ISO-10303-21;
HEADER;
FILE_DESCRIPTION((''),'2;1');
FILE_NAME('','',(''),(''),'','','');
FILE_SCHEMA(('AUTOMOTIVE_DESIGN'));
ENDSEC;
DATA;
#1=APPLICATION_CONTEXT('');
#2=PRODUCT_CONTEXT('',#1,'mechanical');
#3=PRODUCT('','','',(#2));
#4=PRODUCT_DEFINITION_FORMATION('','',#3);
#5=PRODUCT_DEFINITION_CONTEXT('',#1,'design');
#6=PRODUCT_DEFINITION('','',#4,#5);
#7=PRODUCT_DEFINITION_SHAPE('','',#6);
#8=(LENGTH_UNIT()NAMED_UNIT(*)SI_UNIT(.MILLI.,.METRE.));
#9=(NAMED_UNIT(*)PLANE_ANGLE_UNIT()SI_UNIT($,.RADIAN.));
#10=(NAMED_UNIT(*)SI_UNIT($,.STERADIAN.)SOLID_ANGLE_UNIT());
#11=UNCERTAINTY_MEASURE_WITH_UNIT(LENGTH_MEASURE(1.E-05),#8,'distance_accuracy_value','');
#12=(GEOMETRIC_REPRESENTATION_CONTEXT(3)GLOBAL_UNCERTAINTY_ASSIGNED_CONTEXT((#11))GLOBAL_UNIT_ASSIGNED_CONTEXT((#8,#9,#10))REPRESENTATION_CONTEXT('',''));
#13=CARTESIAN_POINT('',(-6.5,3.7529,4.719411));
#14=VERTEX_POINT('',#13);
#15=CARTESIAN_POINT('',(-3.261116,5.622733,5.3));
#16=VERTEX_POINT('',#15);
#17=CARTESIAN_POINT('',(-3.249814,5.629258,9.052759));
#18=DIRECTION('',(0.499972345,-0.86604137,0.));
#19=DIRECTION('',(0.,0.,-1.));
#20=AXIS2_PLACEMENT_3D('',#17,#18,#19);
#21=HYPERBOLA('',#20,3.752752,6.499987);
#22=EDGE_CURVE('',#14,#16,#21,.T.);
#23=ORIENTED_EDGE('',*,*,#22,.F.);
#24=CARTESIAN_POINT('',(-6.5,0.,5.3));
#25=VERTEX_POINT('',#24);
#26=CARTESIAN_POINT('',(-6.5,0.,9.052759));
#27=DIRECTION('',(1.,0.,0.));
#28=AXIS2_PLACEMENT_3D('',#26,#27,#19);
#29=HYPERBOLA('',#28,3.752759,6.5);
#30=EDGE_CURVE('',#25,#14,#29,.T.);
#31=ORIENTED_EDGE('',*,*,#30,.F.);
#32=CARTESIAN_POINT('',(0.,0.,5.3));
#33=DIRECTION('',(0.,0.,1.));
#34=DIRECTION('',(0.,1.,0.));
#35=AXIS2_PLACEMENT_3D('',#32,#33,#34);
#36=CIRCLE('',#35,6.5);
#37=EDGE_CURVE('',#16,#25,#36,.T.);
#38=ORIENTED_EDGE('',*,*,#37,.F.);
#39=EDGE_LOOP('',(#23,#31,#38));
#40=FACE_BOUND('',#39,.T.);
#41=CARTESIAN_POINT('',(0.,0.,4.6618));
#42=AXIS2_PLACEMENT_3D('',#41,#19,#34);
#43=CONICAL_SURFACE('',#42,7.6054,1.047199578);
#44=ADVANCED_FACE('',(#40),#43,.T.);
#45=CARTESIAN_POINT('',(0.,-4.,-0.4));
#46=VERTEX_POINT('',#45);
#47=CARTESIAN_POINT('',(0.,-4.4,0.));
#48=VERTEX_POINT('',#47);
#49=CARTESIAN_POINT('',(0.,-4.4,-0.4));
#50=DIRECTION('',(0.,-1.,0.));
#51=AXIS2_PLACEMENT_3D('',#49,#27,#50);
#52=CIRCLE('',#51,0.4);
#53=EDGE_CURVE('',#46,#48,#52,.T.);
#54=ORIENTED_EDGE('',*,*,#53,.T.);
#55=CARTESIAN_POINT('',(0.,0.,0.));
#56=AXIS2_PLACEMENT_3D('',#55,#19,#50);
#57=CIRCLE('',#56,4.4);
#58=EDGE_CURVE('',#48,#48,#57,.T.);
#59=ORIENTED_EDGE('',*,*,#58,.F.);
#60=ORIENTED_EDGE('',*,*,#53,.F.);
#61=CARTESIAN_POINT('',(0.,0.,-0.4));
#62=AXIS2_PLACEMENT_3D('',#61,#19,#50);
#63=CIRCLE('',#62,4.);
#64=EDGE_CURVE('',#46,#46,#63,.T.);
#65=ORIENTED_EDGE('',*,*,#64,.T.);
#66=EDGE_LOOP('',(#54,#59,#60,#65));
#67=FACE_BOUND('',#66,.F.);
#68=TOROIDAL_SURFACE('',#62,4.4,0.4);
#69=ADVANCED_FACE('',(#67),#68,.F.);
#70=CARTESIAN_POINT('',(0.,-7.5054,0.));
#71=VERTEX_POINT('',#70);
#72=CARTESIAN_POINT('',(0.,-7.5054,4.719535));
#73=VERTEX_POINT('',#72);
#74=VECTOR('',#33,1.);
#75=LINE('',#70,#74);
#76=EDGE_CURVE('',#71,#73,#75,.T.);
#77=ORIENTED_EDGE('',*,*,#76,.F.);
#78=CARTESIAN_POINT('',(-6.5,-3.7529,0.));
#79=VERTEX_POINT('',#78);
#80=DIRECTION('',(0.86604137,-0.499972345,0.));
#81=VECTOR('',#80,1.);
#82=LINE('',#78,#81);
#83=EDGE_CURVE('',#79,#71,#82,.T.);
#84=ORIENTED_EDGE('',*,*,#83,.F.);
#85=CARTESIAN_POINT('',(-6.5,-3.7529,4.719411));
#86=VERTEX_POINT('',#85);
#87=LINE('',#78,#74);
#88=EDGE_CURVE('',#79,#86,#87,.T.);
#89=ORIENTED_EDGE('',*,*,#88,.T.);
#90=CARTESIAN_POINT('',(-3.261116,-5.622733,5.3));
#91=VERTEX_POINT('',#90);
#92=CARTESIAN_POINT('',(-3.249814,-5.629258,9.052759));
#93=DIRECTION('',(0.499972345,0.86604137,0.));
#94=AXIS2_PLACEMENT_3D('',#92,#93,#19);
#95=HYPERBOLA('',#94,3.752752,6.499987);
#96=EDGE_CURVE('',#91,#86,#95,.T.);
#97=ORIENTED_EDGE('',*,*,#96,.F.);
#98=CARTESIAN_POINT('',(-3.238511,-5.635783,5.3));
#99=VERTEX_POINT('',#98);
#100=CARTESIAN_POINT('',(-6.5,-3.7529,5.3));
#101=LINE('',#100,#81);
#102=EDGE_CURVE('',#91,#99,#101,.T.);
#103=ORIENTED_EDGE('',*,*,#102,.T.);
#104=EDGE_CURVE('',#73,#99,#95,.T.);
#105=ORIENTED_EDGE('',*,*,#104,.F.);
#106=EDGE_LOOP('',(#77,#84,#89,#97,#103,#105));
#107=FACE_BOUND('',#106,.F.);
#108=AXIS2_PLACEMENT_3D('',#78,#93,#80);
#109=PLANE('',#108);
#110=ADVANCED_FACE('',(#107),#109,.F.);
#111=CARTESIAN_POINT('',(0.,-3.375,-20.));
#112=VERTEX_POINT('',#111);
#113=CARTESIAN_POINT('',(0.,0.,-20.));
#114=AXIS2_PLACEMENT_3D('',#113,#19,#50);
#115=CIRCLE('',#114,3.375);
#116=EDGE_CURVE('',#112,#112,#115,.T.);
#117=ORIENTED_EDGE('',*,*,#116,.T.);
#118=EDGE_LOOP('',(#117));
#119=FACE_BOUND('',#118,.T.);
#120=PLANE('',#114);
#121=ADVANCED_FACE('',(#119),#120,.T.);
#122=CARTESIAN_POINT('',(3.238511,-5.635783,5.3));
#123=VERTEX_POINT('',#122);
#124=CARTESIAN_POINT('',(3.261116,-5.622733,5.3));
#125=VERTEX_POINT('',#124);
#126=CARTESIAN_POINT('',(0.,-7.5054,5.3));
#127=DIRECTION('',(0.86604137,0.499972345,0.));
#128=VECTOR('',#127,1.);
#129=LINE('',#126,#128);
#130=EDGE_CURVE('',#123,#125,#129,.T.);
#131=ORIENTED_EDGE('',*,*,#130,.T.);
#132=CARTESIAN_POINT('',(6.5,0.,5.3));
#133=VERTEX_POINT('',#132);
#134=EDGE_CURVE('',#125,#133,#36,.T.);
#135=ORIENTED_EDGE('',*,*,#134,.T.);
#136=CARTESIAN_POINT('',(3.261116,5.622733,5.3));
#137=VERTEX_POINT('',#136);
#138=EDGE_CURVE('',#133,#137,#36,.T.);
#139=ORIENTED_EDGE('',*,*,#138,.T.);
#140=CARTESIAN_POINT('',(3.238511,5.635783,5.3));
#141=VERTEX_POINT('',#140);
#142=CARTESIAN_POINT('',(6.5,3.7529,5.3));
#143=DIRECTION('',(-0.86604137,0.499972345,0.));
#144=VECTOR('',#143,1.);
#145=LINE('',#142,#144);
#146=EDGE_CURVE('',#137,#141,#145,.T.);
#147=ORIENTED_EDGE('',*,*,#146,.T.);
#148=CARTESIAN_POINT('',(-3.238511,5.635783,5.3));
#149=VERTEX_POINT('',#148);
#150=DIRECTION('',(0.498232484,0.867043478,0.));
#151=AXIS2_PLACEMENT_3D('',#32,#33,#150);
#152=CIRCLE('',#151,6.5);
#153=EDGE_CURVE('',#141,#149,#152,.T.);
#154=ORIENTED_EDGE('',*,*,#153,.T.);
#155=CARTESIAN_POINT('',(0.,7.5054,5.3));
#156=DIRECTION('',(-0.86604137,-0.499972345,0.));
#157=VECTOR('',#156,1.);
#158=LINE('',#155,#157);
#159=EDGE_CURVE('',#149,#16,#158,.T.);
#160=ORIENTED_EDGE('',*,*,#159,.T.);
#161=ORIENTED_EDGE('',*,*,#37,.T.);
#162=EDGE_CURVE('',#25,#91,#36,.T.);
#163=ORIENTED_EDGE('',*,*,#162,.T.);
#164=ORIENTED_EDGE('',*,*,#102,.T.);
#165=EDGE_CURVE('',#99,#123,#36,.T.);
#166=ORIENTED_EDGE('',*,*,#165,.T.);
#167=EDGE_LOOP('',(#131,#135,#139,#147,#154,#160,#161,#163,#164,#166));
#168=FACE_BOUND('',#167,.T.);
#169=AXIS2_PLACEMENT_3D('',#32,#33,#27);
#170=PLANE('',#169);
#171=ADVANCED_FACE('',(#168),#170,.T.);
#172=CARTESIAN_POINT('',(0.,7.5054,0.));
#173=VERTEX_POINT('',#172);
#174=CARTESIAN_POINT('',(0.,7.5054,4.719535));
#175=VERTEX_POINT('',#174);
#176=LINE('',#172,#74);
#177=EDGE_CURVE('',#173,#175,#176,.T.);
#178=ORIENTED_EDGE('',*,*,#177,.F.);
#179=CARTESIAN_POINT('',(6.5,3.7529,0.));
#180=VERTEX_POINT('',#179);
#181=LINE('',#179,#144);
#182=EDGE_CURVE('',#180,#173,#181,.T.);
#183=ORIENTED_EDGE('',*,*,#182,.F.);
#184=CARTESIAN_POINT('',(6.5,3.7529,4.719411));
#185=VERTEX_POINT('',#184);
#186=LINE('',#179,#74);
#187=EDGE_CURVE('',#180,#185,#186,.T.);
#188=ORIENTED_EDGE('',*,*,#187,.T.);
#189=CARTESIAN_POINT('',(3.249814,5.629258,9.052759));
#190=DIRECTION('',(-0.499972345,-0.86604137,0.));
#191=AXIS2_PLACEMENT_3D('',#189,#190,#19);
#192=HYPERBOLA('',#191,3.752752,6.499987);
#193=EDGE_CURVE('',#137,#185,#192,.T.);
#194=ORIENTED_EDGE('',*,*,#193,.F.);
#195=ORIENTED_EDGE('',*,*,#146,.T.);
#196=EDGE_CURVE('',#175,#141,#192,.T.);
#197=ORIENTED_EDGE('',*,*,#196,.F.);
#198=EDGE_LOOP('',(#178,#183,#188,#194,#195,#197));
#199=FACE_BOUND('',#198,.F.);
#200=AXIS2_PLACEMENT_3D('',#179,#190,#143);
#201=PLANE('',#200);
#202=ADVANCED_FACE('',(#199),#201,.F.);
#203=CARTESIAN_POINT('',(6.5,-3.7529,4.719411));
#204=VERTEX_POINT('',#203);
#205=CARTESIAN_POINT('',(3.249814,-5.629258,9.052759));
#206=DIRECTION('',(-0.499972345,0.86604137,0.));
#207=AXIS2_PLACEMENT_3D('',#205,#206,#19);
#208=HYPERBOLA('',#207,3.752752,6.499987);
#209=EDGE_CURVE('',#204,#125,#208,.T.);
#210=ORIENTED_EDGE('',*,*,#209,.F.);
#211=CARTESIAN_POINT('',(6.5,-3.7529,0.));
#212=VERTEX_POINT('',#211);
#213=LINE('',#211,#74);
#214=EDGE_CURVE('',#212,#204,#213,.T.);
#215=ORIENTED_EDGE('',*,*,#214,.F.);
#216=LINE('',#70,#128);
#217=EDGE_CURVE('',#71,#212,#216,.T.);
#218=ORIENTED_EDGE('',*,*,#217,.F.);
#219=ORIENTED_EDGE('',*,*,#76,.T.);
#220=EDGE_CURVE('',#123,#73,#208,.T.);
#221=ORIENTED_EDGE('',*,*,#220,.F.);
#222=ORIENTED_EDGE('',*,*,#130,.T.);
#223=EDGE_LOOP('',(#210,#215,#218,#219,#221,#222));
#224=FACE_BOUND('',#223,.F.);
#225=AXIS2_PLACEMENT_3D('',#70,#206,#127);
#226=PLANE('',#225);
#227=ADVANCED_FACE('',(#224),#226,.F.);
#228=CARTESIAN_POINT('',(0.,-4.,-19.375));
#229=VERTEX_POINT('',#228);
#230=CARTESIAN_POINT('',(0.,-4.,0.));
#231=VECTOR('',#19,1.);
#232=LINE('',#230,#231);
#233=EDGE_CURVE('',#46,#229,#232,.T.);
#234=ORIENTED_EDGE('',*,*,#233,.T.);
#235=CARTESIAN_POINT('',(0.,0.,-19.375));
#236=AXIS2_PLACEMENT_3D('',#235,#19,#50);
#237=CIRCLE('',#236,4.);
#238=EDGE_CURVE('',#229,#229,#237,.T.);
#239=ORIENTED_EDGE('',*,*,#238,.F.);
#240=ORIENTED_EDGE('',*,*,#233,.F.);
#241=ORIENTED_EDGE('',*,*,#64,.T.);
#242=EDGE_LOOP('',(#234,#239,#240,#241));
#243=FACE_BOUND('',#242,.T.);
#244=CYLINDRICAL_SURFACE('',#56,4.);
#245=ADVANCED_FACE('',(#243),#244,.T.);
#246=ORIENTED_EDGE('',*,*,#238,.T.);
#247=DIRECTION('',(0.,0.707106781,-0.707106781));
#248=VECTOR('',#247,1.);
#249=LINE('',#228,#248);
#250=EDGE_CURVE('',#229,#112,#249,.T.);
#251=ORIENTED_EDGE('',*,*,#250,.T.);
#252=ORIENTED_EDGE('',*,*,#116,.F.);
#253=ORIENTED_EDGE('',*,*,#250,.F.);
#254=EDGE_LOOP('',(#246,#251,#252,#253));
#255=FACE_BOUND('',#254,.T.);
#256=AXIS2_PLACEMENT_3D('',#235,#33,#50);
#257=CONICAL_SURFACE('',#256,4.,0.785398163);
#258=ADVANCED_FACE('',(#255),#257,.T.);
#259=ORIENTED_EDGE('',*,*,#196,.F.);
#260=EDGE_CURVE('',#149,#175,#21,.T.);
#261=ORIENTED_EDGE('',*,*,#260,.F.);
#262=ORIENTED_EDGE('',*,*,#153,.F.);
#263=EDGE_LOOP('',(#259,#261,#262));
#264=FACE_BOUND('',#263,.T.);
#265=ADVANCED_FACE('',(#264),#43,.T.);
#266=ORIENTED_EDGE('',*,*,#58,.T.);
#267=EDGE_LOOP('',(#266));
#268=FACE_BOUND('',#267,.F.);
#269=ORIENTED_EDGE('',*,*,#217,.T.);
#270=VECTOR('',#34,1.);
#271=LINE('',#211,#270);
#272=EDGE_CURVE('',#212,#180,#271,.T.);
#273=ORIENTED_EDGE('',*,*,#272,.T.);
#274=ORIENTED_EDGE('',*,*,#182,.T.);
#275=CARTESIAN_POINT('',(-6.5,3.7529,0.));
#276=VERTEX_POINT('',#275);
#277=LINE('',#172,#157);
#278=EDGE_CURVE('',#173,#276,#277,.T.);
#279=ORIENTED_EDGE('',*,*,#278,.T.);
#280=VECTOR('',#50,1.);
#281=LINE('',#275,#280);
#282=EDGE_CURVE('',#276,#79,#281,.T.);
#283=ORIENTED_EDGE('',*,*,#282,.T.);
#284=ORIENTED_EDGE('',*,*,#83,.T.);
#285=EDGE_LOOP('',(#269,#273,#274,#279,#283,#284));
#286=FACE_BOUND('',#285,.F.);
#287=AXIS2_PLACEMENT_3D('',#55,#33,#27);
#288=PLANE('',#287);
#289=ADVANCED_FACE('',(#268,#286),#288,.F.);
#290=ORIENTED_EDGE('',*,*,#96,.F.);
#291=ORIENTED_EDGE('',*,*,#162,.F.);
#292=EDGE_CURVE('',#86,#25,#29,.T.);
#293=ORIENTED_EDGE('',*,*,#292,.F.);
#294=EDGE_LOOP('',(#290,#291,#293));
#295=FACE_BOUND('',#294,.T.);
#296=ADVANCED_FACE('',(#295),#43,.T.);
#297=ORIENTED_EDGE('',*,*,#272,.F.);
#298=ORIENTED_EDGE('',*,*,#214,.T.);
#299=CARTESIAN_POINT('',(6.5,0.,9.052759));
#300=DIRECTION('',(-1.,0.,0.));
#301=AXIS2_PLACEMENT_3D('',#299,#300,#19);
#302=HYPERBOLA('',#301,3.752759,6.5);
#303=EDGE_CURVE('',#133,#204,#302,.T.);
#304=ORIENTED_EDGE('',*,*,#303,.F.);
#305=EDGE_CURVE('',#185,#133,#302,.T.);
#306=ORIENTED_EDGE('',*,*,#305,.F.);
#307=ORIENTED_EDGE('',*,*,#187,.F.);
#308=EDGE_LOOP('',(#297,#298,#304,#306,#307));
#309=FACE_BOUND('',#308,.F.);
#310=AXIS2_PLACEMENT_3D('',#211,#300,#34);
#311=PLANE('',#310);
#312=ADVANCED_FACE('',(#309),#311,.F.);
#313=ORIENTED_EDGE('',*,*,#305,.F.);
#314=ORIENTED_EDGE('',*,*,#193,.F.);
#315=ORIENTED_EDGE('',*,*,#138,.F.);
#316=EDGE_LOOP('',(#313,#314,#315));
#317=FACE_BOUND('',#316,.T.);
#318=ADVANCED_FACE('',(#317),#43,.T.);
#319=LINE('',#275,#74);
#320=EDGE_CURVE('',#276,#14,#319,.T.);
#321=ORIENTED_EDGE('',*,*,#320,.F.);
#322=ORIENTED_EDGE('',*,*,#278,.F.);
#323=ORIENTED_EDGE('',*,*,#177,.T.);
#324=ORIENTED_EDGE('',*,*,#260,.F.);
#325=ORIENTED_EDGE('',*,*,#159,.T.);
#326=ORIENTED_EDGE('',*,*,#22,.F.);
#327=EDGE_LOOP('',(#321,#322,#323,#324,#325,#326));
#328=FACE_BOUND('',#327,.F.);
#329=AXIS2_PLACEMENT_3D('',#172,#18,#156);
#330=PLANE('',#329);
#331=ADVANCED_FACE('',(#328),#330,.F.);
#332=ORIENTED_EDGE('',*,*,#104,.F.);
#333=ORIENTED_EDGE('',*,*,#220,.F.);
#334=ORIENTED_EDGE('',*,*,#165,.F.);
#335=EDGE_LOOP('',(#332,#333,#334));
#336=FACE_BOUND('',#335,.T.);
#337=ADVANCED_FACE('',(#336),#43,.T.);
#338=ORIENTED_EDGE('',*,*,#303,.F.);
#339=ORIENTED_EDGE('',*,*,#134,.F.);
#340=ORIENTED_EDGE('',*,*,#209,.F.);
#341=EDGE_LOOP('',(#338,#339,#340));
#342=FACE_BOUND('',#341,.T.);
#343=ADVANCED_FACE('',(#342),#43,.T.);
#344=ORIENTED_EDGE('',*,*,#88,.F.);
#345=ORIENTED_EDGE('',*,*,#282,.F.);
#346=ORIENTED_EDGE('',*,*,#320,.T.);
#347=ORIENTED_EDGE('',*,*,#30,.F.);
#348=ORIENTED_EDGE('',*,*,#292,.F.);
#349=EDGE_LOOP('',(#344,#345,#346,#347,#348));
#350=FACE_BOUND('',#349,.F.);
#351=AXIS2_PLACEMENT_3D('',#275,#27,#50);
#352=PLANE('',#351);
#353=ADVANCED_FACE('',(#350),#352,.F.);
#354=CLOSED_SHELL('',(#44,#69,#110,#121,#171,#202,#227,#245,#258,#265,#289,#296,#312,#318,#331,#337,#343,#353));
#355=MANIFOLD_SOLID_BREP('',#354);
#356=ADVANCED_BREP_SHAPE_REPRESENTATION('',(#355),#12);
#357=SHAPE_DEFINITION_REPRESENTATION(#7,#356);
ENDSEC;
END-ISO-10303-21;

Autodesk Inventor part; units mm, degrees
ref_plane "WorkPlane1" through (0, 0, 0) normal (0, 0, 1) x (1, 0, 0)
sketch "Sketch1" plane through (0, 0, 0) normal (0, 0, 1) x (1, 0, 0)
  point P0 (0, 0)
sketch "Sketch2" plane through (0, 0, 0) normal (0, 0, 1) x (1, 0, 0)
  line L0 (-6.5, 3.7529) -> (-6.5, -3.7529)
  line L1 (0, 7.5054) -> (-6.5, 3.7529)
  line L2 (6.5, 3.7529) -> (0, 7.5054)
  line L3 (6.5, -3.7529) -> (6.5, 3.7529)
  line L4 (0, -7.5054) -> (6.5, -3.7529)
  line L5 (-6.5, -3.7529) -> (0, -7.5054)
  circle A0 centre (0, 0) radius 6.5 construction
  dimension "d1" = 13
  dimension "d29" = 0
  dimension "d30" = 0
extrude "Extrusion1" add sketch "Sketch2" along normal blind 5.3
sketch "Sketch3" plane through (0, 0, 0) normal (1, 0, 0) x (0, 1, 0)
  line L0 (6.5, 5.3) -> (7.6054, 5.3)
  line L1 (7.6054, 4.6618) -> (6.5, 5.3)
  line L2 (7.6054, 5.3) -> (7.6054, 4.6618)
  line L3 (0, -1.06) -> (0, 6.36) projected
  line L4 (7.5054, 0) -> (7.5054, 5.3) projected
  dimension "d25" = 0.1
  dimension "d26" = 0
  dimension "d27" = 60
  dimension "d28" = 6.5
revolve "Revolution1" cut sketch "Sketch3" angle 360 about axis through (0, 0, -10) along (0, 0, 1)
sketch "Sketch4" plane through (0, 0, 0) normal (1, 0, 0) x (0, 1, 0)
  line L0 (0, -20) -> (0, 0)
  line L1 (-4, -20) -> (0, -20)
  line L2 (-4, 0) -> (-4, -20)
  line L3 (0, 0) -> (-4, 0)
  line L4 (0, -20) -> (0, 0)
  line L5 (-4.8, 0) -> (0.8, 0) projected
  line L6 (0, -24) -> (0, 4) projected
  dimension "d18" = 4
  dimension "d20" = 20
  dimension "d33" = 0
  dimension "d34" = 0
revolve "Revolution2" add sketch "Sketch4" angle 360 about axis through (0, 0, -20) along (0, 0, -1)
chamfer "Chamfer1" distance 0.625 angle 45 1 edges at (0, 4, -20)
fillet "Fillet1" radius 0.4 1 edges at (0, 4, 0)
thread "Thread1" size "M8x1.25" class "6g" standard "ISO Metric profile" length 17.5
ref_plane "MSC_PF1" through (0, 0, 0) normal (1, 0, 0) x (0, 1, 0)
ref_plane "MSC_PT1" through (0, 0, 0) normal (0, 0, -1) x (-1, 0, 0)
equation "\"d22\" = 0.5 * PTC"
equation "\"d23\" = 0.5 * PTC"
equation "\"d24\" = r"
equation "\"d1\" = ParS"
equation "\"d6\" = ParK"
equation "\"b\" = NLG - 2 * PTC"
equation "\"d28\" = 0.5 * ParS"
equation "\"d18\" = 0.5 * NND"
equation "\"d20\" = NLG"
equation "\"NND\" = 8"
equation "\"NLG\" = 20"
equation "\"PTC\" = 1.25"
equation "\"ParK\" = 5.3"
equation "\"ParS\" = 13"
equation "\"msp_es\" = 0.577367 * ParS"
equation "\"r\" = 0.4"
equation "\"THREADDIA\" = NND"
properties part number "ISO 4018 - M8 x 20" material "Steel"
